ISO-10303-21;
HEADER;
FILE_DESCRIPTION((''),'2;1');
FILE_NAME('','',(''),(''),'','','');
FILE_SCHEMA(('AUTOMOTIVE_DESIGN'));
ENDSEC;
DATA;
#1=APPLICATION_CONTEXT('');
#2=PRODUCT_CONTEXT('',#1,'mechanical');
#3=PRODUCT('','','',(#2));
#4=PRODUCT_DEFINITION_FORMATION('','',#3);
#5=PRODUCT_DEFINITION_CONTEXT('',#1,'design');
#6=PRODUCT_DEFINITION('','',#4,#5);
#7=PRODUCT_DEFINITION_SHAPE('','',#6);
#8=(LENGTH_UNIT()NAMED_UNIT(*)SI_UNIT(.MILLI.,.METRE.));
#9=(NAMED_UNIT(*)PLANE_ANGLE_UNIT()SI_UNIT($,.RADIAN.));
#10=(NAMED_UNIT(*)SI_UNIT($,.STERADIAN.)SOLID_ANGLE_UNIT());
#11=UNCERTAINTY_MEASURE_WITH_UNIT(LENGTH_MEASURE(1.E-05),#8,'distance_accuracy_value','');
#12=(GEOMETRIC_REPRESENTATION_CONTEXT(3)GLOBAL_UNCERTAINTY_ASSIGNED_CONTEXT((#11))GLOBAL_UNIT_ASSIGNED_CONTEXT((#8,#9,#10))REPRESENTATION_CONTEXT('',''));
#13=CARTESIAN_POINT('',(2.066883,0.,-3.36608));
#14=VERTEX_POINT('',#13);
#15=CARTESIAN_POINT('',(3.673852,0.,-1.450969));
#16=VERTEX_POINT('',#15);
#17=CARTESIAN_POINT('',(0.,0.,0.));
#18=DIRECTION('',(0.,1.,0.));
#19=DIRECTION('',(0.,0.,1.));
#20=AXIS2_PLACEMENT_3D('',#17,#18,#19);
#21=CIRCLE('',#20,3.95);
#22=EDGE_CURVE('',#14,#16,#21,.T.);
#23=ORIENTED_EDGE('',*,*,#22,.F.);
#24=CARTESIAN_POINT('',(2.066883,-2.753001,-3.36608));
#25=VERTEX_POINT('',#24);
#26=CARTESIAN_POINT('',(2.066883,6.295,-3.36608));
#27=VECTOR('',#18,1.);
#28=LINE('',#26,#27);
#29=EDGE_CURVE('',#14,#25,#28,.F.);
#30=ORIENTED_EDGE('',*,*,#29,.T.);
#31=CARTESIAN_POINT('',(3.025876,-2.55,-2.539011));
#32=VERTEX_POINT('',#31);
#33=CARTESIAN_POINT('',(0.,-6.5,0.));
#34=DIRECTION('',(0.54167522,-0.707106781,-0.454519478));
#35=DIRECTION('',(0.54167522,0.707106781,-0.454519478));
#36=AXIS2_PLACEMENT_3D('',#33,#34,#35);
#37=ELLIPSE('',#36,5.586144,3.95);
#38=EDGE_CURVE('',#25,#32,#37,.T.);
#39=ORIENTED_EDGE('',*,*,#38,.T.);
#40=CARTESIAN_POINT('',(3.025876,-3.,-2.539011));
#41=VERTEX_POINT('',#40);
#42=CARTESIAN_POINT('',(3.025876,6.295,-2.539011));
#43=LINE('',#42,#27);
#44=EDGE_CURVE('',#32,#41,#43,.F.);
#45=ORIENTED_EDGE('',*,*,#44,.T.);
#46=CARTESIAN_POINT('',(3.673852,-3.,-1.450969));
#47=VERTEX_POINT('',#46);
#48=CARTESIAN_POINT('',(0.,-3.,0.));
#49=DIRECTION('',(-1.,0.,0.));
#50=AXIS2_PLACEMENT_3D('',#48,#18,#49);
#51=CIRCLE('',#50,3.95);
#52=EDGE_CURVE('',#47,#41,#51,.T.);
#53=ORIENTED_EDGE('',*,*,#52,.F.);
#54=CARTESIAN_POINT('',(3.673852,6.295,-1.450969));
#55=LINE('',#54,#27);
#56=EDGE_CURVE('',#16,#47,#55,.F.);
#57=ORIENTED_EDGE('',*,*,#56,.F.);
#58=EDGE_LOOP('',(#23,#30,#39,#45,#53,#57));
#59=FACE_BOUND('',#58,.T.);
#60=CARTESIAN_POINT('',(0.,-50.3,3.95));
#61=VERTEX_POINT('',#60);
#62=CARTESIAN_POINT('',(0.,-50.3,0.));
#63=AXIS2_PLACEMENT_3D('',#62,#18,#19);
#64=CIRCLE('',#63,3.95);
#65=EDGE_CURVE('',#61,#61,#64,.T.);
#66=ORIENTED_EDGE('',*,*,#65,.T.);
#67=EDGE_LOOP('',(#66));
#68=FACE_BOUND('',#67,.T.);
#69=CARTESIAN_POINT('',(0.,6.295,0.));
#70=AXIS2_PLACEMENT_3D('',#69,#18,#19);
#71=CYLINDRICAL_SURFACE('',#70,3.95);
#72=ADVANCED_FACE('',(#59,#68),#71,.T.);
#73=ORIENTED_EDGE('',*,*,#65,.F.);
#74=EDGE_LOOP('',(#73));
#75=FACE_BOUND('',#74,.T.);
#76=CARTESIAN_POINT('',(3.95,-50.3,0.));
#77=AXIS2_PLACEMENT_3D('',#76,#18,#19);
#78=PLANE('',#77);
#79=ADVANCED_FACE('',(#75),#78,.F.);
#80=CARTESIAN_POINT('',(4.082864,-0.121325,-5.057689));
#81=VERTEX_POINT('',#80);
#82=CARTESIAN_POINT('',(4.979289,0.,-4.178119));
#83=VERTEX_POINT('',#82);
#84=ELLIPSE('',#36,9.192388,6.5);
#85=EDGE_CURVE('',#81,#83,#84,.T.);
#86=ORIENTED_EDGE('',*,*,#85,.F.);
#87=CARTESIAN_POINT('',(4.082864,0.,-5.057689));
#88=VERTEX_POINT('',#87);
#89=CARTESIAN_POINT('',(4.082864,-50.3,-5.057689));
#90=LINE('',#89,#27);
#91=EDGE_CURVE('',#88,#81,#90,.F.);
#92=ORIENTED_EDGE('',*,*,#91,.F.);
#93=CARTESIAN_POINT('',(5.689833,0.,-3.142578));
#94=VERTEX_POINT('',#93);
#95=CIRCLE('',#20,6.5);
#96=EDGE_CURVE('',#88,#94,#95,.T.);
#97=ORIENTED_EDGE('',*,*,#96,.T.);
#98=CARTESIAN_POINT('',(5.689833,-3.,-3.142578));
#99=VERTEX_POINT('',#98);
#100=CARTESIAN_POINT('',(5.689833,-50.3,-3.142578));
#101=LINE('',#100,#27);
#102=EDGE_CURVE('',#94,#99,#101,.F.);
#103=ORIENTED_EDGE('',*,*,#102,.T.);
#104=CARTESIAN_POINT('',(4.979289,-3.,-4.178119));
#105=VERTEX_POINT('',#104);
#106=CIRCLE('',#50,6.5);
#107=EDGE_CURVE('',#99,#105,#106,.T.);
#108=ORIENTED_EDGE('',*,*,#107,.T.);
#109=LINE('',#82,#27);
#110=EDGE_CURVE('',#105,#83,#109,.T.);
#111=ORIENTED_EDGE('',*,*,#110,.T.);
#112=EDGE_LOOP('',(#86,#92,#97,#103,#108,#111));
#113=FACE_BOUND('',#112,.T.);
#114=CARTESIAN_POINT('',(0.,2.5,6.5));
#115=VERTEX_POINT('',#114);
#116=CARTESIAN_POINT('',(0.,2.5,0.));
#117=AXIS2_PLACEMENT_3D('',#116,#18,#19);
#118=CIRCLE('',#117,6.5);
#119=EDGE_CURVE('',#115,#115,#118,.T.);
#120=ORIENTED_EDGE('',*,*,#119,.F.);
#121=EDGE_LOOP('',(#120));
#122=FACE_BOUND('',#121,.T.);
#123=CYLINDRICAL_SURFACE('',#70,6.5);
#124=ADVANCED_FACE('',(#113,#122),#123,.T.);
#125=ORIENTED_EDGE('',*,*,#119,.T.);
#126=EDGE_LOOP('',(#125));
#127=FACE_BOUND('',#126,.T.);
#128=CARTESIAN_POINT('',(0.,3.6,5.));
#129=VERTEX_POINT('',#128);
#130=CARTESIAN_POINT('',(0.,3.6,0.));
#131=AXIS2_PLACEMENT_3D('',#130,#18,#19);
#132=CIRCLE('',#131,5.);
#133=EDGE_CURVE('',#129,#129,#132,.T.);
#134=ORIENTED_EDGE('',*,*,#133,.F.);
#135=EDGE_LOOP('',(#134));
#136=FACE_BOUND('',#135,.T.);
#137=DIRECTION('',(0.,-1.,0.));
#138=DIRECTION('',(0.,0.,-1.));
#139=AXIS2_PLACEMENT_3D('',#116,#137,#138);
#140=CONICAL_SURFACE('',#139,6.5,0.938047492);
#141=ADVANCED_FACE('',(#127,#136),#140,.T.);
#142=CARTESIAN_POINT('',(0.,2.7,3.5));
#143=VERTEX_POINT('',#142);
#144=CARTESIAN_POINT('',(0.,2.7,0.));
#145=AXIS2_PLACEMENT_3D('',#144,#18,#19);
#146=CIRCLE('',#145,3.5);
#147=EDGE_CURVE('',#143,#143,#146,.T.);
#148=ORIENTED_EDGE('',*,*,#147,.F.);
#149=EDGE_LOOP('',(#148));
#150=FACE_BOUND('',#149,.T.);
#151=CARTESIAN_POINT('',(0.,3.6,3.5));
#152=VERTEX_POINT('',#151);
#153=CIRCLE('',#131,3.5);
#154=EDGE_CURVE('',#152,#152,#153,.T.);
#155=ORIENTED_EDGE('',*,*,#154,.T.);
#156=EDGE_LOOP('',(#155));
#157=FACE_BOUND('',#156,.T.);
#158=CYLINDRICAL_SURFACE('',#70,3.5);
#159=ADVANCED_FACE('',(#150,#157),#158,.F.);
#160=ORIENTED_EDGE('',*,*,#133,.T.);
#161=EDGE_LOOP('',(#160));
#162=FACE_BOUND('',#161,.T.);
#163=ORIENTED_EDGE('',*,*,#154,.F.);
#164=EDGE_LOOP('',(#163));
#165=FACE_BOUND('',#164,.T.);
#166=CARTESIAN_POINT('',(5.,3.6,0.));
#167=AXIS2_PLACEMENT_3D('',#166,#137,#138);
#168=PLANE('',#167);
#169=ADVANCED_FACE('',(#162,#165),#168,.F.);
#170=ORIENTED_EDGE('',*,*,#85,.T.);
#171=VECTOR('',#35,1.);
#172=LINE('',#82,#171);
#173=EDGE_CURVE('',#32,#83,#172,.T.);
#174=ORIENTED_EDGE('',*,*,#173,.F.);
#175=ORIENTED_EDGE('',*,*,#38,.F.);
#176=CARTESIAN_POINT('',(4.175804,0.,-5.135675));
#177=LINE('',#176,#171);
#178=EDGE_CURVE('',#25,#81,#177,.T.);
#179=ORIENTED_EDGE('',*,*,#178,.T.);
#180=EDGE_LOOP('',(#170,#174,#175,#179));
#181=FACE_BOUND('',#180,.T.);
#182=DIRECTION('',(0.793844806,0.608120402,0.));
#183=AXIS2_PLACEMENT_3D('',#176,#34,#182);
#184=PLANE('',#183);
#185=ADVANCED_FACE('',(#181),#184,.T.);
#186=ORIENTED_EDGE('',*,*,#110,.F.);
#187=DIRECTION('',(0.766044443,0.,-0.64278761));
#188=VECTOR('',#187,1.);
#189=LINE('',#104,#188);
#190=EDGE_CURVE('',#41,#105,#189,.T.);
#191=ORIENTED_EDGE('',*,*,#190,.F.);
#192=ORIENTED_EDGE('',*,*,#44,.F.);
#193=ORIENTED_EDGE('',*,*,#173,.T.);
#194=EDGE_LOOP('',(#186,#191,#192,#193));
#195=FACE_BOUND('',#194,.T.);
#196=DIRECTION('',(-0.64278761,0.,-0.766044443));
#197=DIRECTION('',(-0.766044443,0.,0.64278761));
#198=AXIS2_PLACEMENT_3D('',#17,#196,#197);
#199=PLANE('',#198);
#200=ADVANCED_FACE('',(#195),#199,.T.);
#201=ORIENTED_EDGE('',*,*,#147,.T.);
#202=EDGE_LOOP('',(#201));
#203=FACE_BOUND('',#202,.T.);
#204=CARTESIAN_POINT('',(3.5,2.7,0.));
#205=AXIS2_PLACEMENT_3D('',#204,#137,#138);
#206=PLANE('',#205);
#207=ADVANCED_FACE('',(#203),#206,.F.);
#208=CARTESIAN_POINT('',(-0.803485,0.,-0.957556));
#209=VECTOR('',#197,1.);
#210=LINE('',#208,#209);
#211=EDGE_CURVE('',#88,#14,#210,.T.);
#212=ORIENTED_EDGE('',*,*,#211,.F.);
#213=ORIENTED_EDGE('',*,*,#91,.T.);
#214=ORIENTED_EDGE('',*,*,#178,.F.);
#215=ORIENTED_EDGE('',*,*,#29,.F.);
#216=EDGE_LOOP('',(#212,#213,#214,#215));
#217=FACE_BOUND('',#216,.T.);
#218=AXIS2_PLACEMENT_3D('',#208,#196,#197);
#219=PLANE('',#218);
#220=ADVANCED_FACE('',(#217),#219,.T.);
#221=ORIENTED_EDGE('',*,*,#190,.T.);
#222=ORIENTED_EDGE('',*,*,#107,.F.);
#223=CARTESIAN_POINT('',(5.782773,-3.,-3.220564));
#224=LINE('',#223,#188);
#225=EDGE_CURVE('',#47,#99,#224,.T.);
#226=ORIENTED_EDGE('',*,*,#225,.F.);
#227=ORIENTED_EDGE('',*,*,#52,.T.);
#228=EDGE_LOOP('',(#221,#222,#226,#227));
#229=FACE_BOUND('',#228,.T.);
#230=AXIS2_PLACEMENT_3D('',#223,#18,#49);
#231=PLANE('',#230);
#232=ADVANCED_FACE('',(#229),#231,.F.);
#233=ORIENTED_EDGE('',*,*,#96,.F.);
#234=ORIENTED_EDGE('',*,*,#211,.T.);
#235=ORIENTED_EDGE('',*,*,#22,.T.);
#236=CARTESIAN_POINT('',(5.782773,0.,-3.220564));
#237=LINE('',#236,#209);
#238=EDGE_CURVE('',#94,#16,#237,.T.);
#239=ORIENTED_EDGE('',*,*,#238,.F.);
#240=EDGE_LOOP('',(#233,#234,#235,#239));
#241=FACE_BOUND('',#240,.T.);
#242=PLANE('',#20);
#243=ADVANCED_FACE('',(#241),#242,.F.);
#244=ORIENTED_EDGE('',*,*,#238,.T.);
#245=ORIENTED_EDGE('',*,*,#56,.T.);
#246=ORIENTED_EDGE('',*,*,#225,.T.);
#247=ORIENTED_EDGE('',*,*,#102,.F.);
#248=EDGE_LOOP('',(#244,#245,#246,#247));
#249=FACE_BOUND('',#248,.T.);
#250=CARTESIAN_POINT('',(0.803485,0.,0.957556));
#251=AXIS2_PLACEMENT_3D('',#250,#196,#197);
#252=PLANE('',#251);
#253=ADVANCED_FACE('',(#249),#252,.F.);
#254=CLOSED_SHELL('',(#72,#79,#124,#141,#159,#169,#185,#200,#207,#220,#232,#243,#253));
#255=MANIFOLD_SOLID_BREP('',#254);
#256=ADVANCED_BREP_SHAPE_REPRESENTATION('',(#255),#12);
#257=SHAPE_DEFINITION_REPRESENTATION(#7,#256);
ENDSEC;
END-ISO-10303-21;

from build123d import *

# Parameters (mm, degrees)
SKETCH1_W           = 3.95
SKETCH1_H           = 50.3
BOSS_EXTRUDE1_DEPTH = 1.25
SKETCH4_W           = 6.5
SKETCH4_H           = 3
BOSS_EXTRUDE2_DEPTH = 1.25
SKETCH5_OUTSIDE_W   = 26.39
SKETCH5_OUTSIDE_H   = 26.39
SKETCH5_OUTSIDE_R   = 6.5
CUT_EXTRUDE1_DEPTH  = 55.678240645


with BuildPart() as part:
    # Sketch1 → Revolve1 (revolve)
    with BuildSketch(Plane.XY):
        with Locations((1.975, -25.15)):
            Rectangle(SKETCH1_W, SKETCH1_H)
    revolve(axis=Axis((0, 6.295, 0), (0, -1, 0)))

    # Sketch2 → Revolve2 (revolve)
    with BuildSketch(Plane.XY):
        Polygon((0, 0), (6.5, 0), (6.5, 2.5), (5, 3.6), (3.5, 3.6), (3.5, 2.7), (0, 2.7), align=None)
    revolve(axis=Axis((0, 6.295, 0), (0, -1, 0)))

    # Sketch3 → Boss-Extrude1 (add)
    with BuildSketch(Plane(origin=(0, 0, 0), x_dir=(0.7660444431189771, 0, -0.6427876096865406), z_dir=(0.6427876096865406, 0, 0.7660444431189771))):
        Polygon((0, 0), (6.5, 0), (0, -6.5), align=None)
    extrude(amount=-BOSS_EXTRUDE1_DEPTH)

    # Sketch4 → Boss-Extrude2 (add)
    with BuildSketch(Plane(origin=(0, 0, 0), x_dir=(0.7660444431189771, 0, -0.6427876096865406), z_dir=(0.6427876096865406, 0, 0.7660444431189771))):
        with Locations((3.25, -1.5)):
            Rectangle(SKETCH4_W, SKETCH4_H)
    extrude(amount=BOSS_EXTRUDE2_DEPTH)

    # Sketch5 outside → Cut-Extrude1 (cut, through all)
    with BuildSketch(Plane(origin=(0, 3.6, 0), x_dir=(1, 0, 0), z_dir=(0, 1, 0))):
        Rectangle(SKETCH5_OUTSIDE_W, SKETCH5_OUTSIDE_H)
        Circle(SKETCH5_OUTSIDE_R, mode=Mode.SUBTRACT)
    extrude(amount=-CUT_EXTRUDE1_DEPTH, mode=Mode.SUBTRACT)


solid = part.part
